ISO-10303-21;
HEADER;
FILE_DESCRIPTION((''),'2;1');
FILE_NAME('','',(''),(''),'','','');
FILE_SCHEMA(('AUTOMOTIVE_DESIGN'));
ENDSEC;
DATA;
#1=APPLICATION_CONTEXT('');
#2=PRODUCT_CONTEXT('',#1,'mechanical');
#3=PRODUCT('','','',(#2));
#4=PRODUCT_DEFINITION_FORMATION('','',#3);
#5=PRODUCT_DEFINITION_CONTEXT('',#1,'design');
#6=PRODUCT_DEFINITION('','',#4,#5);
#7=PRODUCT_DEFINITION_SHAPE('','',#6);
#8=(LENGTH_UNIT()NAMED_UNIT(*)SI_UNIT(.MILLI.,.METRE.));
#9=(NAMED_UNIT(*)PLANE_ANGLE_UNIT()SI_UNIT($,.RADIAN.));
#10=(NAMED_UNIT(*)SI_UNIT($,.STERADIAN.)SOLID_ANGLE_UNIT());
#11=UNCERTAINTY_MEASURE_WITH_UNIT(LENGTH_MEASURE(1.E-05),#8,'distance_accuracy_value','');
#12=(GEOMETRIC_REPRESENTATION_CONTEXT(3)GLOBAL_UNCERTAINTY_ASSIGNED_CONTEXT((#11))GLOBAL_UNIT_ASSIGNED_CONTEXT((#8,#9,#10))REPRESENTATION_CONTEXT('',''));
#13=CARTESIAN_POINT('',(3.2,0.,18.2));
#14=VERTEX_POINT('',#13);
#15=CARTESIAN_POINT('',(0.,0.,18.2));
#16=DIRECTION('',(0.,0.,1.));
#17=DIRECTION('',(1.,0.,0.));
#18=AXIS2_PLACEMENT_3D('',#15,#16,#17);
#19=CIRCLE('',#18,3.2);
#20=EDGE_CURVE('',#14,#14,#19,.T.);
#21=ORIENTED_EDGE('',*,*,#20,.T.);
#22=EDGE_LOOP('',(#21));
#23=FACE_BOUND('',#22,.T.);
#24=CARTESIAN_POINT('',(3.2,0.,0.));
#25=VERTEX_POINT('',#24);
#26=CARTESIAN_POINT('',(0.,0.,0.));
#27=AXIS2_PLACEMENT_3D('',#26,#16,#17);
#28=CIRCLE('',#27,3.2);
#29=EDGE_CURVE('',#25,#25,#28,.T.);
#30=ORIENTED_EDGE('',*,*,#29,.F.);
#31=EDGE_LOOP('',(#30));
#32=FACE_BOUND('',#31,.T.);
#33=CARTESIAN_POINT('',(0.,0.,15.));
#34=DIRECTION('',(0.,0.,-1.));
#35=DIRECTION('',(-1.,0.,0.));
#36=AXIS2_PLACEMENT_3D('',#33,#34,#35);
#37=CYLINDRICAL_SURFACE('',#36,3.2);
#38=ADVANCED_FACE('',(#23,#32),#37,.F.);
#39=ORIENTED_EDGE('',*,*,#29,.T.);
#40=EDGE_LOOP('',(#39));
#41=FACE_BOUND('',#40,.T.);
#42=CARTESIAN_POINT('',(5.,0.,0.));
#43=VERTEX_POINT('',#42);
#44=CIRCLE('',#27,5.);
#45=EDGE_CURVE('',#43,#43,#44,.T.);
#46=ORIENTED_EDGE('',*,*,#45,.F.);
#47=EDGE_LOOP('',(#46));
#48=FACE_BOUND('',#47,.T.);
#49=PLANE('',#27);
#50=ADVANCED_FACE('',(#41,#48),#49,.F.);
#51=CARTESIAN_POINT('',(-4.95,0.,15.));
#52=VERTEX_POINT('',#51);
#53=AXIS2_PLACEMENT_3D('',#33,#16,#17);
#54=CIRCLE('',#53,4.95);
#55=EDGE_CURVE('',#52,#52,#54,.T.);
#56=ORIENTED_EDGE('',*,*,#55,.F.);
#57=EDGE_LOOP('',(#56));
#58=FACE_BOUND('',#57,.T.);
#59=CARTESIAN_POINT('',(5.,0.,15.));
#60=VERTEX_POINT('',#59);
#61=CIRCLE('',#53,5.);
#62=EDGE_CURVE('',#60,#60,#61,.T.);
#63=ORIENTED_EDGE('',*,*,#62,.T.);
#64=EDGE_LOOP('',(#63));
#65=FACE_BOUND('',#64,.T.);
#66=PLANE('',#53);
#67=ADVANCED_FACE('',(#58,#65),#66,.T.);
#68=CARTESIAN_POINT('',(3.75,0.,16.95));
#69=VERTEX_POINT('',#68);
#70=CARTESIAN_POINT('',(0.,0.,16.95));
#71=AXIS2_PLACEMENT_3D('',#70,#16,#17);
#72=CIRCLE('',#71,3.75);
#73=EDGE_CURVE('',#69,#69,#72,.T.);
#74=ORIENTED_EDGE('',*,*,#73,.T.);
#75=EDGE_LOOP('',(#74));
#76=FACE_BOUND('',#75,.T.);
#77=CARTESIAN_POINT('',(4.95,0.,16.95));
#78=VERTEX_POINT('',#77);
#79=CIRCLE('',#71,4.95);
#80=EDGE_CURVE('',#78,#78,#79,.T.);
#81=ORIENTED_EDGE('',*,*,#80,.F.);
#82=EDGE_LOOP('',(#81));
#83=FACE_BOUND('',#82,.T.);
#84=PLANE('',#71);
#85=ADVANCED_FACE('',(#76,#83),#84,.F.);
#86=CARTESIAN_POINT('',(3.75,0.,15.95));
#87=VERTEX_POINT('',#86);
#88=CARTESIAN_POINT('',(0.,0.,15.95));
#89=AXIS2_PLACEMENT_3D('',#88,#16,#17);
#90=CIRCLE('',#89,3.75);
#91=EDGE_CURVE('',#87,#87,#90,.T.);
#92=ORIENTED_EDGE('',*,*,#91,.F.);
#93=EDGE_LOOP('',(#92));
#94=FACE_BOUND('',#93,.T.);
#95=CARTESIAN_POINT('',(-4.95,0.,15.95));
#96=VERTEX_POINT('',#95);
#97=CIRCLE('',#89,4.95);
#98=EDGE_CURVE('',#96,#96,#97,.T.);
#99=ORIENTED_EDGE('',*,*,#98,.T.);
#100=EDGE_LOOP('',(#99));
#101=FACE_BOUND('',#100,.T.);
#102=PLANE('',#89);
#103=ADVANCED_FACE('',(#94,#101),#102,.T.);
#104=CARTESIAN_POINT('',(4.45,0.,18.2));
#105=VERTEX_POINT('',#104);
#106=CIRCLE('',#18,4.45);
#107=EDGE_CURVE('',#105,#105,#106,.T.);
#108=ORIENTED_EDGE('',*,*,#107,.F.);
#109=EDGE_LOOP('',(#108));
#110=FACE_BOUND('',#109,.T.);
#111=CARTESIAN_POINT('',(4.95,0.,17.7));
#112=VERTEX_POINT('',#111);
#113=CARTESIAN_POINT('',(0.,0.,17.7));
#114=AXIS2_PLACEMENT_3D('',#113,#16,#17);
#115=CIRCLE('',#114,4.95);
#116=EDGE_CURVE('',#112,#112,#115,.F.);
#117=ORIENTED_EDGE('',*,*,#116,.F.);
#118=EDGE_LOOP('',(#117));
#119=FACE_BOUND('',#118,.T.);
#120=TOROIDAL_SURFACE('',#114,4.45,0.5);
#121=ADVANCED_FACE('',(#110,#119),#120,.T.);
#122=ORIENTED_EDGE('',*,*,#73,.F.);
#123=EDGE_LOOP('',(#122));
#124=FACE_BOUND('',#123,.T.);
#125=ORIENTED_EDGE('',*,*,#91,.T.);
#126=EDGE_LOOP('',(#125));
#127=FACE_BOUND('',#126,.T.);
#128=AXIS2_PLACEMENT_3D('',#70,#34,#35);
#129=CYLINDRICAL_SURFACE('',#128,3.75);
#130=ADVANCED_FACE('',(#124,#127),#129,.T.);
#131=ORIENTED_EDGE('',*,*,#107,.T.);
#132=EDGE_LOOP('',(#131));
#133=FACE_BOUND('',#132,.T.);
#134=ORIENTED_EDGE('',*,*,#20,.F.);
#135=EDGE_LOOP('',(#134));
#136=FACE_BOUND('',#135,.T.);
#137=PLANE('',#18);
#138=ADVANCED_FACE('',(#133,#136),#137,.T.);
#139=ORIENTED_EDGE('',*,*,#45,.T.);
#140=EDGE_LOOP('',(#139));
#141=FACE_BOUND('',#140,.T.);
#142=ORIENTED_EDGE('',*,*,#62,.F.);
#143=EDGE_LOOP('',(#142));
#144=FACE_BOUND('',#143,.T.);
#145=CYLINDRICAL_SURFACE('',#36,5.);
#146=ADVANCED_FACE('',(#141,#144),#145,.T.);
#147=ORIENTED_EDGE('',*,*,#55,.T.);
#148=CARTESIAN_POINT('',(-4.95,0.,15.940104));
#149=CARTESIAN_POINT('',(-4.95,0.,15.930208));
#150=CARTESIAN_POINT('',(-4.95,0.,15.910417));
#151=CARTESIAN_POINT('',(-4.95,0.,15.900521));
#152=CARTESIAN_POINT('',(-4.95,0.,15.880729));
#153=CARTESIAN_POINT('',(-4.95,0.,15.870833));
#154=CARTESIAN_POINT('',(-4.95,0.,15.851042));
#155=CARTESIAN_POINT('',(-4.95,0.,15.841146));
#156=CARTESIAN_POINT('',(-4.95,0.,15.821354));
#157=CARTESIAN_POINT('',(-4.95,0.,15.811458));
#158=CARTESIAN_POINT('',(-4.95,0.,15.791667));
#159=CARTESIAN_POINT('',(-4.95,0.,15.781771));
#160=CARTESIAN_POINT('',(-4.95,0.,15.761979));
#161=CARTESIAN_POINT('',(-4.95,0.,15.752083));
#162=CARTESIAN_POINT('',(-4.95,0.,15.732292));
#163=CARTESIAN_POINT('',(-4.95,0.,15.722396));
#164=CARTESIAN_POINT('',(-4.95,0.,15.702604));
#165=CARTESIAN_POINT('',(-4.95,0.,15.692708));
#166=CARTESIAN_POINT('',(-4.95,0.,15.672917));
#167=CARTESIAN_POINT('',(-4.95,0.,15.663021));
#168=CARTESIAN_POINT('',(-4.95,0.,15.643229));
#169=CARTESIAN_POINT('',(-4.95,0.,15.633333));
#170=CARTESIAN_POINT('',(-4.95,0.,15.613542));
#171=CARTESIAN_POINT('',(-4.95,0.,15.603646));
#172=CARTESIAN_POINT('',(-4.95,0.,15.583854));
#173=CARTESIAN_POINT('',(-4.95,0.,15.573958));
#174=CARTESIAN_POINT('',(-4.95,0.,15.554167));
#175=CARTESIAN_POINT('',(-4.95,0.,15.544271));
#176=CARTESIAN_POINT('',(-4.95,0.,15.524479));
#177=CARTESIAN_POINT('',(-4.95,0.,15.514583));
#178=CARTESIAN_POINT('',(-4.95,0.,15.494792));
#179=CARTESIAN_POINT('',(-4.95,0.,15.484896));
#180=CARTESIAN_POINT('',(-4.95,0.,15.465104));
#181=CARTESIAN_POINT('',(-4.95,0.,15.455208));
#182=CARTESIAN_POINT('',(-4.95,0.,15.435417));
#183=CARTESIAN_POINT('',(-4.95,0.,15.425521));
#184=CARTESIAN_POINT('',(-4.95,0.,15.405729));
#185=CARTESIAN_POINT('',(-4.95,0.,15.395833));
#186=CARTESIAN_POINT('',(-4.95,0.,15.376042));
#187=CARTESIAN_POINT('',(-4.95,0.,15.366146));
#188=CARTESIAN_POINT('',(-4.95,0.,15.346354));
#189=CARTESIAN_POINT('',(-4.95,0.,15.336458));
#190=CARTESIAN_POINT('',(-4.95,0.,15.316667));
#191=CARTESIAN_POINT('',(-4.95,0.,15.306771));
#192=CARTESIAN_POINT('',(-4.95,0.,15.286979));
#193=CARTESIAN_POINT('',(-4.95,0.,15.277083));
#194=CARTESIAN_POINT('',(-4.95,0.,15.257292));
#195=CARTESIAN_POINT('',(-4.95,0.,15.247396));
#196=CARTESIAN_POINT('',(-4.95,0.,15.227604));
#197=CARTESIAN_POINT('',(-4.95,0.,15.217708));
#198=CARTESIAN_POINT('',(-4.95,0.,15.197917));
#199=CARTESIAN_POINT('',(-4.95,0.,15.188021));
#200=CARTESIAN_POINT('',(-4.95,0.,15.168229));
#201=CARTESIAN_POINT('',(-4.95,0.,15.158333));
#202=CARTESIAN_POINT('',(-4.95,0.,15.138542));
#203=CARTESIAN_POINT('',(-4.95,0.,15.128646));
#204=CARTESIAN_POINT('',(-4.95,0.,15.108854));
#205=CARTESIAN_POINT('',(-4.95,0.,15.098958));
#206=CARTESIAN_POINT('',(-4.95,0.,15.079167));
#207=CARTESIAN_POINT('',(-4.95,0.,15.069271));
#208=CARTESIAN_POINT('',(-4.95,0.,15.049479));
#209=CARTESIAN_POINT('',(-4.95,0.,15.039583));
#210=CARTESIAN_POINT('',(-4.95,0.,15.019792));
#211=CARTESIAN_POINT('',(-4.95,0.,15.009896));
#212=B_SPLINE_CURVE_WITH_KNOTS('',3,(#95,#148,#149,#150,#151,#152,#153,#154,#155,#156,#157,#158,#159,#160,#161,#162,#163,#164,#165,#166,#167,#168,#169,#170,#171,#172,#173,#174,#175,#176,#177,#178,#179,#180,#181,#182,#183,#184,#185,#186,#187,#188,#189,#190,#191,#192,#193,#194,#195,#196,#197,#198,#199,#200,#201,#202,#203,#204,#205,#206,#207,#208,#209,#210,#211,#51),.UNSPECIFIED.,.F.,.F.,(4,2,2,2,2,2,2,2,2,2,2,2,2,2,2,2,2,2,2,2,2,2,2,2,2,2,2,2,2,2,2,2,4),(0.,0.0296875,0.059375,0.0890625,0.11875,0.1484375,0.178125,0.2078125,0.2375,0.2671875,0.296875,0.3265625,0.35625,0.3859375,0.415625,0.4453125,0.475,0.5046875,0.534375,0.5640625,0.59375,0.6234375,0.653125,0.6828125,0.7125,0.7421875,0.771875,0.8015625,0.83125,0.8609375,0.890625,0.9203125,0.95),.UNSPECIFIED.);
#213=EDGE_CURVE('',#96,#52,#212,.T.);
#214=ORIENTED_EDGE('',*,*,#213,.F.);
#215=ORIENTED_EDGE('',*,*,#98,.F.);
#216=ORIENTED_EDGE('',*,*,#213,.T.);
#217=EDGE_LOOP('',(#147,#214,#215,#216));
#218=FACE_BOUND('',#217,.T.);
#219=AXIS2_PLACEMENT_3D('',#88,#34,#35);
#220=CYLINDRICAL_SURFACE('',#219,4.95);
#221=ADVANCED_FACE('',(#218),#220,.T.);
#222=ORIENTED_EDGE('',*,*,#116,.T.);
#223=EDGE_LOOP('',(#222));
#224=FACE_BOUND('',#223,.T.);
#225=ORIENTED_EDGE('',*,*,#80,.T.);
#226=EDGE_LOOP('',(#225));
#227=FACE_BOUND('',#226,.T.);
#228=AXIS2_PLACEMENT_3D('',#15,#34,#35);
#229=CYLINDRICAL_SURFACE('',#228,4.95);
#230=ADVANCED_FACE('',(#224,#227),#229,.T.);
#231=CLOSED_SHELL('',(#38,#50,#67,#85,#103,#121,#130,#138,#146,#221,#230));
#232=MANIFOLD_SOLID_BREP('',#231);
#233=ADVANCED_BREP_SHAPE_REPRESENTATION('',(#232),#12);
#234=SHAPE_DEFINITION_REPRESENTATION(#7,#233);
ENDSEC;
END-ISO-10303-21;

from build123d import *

# Parameters (mm, degrees)
INSERT_SKETCH_R       = 5
INSERT_SKETCH_R_2     = 3.2
INSERT_DEPTH          = 15
SKETCH2_R             = 4.95
SKETCH2_R_2           = 3.2
CHUCK_SHOULDER_DEPTH  = 0.95
SKETCH4_R             = 3.75
SKETCH4_R_2           = 3.2
CHUCK_MINOR_DIA_DEPTH = 1
SKETCH5_R             = 4.95
SKETCH5_R_2           = 3.2
CHUCK_TOP_DEPTH       = 1.25
CHUCK_TOP_FILLET_R    = 0.5


with BuildPart() as part:
    # Insert Sketch → Insert (new body)
    with BuildSketch(Plane.XY):
        Circle(INSERT_SKETCH_R)
        Circle(INSERT_SKETCH_R_2, mode=Mode.SUBTRACT)
    extrude(amount=INSERT_DEPTH)

    # Sketch2 → chuck shoulder (add)
    with BuildSketch(Plane.XY.offset(15)):
        with Locations(Location((0, 0, 0), (0, 0, 180))):
            Circle(SKETCH2_R)
        Circle(SKETCH2_R_2, mode=Mode.SUBTRACT)
    extrude(amount=CHUCK_SHOULDER_DEPTH)

    # Sketch4 → chuck minor dia (add)
    with BuildSketch(Plane.XY.offset(15.95)):
        Circle(SKETCH4_R)
        Circle(SKETCH4_R_2, mode=Mode.SUBTRACT)
    extrude(amount=CHUCK_MINOR_DIA_DEPTH)

    # Sketch5 → chuck top (add)
    with BuildSketch(Plane.XY.offset(16.95)):
        with Locations(Location((0, 0, 0), (0, 0, 180))):
            Circle(SKETCH5_R)
        Circle(SKETCH5_R_2, mode=Mode.SUBTRACT)
    extrude(amount=CHUCK_TOP_DEPTH)

    # chuck top fillet
    chuck_top_fillet_edges = [part.edges().sort_by_distance(p)[0] for p in [
        (4.95, 0, 18.2),
    ]]
    fillet(chuck_top_fillet_edges, radius=CHUCK_TOP_FILLET_R)


solid = part.part
